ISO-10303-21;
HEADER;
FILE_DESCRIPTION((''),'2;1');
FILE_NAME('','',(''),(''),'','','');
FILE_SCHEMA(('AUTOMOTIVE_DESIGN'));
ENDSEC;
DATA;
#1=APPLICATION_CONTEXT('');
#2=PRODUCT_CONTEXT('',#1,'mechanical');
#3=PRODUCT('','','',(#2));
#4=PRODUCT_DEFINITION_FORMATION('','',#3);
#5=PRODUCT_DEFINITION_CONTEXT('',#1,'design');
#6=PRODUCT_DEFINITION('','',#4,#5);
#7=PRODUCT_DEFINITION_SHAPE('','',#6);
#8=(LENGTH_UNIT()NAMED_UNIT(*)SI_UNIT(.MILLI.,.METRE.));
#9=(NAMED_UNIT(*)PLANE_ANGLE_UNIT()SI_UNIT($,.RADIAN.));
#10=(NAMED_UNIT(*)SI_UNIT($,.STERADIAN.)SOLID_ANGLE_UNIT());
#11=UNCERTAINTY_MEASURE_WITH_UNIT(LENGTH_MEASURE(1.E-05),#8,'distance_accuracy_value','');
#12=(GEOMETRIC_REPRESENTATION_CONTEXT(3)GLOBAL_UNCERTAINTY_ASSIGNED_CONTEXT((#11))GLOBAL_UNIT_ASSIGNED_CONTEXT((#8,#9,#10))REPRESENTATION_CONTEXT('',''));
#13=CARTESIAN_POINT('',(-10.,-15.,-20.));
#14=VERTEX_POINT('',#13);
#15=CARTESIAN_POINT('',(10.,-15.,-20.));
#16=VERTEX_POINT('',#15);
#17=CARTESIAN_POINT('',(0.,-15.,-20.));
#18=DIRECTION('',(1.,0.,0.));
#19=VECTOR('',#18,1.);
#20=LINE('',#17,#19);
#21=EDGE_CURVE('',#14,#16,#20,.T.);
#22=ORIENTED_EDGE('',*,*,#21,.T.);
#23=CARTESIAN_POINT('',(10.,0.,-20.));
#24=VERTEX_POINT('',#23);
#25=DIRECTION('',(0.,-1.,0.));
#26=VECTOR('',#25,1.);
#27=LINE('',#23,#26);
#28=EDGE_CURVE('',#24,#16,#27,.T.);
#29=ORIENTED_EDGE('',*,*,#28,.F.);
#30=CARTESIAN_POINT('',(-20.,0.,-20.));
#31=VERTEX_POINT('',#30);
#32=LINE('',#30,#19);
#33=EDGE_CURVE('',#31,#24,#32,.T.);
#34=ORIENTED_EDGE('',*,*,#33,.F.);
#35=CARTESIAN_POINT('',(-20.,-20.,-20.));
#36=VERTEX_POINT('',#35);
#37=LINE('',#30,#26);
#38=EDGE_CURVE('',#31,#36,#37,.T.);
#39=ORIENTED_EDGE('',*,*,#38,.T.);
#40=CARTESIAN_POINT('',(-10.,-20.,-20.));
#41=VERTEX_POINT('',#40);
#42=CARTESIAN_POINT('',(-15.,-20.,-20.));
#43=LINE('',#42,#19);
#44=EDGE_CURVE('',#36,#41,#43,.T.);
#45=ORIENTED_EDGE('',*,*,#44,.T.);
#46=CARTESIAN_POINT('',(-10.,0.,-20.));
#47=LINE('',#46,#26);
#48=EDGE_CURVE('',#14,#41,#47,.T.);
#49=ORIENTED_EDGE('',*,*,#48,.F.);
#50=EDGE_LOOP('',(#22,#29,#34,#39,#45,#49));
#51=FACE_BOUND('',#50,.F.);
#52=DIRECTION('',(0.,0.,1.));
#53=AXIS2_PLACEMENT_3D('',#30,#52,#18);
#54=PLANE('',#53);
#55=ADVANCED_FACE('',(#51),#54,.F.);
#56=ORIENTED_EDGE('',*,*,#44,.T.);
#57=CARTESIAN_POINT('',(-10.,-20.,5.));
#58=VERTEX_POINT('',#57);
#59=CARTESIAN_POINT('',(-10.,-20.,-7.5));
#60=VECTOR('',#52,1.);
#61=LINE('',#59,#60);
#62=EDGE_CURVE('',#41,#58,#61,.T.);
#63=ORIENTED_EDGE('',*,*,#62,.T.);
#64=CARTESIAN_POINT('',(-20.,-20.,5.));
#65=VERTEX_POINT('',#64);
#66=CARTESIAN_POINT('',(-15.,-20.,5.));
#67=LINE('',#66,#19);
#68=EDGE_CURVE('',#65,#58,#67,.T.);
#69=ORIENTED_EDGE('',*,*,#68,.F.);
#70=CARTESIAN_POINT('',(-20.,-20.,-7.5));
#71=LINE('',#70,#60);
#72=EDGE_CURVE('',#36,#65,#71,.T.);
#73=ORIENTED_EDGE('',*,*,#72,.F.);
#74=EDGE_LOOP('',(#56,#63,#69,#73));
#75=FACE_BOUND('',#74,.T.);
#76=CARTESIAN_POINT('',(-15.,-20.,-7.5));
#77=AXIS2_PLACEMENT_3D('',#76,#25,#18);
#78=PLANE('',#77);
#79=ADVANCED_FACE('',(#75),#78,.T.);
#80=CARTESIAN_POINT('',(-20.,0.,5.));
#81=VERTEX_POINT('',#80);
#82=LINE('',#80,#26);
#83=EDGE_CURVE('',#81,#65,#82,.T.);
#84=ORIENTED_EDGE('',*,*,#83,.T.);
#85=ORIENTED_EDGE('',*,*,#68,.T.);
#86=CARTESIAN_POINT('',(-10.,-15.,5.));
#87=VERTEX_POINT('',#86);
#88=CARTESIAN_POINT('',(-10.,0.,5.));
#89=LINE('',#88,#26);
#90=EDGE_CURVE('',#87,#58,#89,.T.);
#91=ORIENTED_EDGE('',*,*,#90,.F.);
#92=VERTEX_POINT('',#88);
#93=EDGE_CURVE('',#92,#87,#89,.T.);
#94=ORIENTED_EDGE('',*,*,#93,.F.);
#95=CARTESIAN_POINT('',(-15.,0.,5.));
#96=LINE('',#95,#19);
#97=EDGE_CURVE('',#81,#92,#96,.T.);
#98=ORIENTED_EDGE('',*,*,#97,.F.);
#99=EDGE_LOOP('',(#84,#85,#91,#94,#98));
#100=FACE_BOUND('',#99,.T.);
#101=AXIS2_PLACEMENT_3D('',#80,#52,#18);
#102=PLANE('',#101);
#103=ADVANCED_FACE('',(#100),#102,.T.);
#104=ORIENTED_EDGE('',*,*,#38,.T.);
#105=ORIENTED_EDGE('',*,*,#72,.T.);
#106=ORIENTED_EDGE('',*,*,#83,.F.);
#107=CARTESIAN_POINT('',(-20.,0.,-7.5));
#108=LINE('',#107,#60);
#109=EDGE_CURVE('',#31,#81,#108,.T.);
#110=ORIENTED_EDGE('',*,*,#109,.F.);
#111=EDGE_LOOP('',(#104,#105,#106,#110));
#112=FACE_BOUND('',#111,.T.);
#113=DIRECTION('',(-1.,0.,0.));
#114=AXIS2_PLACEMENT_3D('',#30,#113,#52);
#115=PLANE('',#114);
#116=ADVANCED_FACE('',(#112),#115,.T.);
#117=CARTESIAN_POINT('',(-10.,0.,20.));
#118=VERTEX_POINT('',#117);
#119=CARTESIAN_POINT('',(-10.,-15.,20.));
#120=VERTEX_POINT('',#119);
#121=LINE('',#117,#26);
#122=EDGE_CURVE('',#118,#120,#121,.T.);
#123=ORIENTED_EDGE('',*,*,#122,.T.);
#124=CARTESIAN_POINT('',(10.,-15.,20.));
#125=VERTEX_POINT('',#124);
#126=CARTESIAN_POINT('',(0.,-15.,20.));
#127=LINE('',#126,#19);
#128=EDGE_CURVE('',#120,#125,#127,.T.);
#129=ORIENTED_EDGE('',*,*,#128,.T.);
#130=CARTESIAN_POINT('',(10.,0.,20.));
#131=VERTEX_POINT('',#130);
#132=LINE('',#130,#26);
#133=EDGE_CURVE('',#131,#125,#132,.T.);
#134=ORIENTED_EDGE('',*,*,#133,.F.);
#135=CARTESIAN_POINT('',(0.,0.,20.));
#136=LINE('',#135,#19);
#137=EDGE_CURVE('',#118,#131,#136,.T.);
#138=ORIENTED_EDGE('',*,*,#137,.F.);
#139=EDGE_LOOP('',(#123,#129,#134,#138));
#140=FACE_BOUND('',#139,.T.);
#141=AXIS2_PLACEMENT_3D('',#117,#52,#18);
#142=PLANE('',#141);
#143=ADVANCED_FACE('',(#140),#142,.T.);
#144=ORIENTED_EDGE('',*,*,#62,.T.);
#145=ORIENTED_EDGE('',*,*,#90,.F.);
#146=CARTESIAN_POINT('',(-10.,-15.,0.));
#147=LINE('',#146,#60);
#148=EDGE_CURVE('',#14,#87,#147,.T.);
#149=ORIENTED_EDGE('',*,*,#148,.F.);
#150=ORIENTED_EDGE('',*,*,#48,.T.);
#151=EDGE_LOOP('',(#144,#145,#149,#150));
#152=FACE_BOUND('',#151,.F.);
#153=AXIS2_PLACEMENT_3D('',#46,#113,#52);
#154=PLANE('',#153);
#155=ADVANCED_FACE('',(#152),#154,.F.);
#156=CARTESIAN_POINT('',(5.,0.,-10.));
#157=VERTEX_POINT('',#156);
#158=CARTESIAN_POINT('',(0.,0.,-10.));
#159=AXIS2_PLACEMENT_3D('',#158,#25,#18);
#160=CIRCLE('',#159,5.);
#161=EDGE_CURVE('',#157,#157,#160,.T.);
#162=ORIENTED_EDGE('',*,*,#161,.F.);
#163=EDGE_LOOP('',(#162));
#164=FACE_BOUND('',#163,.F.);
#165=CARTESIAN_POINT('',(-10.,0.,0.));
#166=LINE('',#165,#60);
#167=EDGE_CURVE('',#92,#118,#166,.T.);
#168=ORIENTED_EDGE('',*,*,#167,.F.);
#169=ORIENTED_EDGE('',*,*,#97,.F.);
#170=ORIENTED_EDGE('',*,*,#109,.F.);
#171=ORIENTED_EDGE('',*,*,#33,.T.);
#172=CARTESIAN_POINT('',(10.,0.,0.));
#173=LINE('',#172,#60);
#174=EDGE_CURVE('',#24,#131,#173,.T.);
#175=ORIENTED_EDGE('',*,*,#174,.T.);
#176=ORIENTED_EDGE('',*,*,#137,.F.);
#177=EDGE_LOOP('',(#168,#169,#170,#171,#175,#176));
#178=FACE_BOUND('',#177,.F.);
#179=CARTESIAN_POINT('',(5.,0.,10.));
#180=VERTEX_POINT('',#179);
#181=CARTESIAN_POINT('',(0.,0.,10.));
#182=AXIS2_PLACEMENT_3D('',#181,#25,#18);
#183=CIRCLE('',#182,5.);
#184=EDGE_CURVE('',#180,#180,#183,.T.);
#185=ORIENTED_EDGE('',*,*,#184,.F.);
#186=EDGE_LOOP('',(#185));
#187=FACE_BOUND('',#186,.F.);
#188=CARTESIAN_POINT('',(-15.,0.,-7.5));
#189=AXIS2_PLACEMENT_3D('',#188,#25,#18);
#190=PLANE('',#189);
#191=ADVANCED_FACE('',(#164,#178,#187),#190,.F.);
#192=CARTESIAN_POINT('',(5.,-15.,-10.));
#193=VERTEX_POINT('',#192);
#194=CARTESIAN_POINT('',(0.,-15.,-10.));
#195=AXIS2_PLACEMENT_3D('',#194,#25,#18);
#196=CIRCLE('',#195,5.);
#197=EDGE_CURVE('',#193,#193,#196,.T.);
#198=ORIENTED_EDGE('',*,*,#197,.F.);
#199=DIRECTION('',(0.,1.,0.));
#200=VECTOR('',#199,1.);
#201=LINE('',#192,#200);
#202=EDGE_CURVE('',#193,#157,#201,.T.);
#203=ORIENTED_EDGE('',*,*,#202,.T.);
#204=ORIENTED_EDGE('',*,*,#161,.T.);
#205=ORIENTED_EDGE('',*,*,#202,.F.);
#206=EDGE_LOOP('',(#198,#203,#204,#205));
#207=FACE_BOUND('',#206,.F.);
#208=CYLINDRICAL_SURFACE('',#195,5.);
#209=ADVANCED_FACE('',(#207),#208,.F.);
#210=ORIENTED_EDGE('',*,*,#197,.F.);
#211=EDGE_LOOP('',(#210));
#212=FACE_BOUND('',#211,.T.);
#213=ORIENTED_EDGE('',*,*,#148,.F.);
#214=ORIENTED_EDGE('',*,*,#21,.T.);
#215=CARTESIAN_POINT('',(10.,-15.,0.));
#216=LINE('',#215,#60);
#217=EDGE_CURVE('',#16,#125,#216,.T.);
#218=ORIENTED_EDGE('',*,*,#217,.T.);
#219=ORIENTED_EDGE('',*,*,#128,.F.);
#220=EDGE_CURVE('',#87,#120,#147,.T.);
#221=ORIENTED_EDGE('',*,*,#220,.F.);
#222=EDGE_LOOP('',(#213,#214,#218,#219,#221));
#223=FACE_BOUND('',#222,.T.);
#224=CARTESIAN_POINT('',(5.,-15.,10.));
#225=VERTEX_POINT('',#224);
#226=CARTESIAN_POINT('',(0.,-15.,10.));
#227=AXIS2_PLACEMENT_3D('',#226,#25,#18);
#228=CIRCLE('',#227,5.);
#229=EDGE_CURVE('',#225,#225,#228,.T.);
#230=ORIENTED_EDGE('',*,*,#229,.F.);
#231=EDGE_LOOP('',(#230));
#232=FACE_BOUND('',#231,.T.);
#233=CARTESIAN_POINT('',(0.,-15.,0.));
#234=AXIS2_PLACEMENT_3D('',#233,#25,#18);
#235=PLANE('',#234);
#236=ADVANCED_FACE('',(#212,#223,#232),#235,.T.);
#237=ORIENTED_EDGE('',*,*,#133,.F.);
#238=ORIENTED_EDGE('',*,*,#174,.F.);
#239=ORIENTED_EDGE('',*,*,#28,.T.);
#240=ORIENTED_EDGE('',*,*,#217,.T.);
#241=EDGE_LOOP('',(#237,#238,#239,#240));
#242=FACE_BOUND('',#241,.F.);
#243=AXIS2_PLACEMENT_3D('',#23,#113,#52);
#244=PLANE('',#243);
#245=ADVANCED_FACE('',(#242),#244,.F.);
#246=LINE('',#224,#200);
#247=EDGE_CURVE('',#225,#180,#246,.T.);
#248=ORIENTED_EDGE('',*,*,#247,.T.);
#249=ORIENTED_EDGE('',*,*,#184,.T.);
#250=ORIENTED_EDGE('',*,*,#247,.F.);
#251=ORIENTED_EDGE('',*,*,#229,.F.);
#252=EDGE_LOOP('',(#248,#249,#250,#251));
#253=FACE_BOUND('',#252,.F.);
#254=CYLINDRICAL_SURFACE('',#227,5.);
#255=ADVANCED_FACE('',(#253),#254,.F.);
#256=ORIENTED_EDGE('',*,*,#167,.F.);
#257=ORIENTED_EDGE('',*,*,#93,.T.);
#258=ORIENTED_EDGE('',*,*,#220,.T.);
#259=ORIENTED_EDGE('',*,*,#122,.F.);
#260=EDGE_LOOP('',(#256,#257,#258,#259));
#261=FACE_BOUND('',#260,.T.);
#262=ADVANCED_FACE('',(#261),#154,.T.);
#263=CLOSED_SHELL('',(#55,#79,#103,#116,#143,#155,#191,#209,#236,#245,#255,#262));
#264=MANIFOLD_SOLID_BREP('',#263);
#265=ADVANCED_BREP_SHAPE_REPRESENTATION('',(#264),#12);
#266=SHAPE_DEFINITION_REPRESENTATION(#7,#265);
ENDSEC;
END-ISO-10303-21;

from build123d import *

# Parameters (mm, degrees)
F0_W     = 20
F0_H     = 40
F2_DEPTH = 15
F1_W     = 10
F1_H     = 25
F3_DEPTH = 20
F4_R     = 5
F5_DEPTH = 15


with BuildPart() as f2:
    # F0 (on Front) → F2 (new body)
    with BuildSketch(Plane.XZ):
        Rectangle(F0_W, F0_H)
    extrude(amount=F2_DEPTH)

    # F1 (on Front) → F3 (join)
    with BuildSketch(Plane.XZ):
        with Locations((-15, -7.5)):
            Rectangle(F1_W, F1_H)
    extrude(amount=F3_DEPTH)

    # F4 (on face) → F5 (cut)
    with BuildSketch(Plane.XZ.offset(15)):
        with Locations((0, 10)):
            Circle(F4_R)
        with Locations((0, -10)):
            Circle(F4_R)
    extrude(amount=-F5_DEPTH, mode=Mode.SUBTRACT)


solid = f2.part
